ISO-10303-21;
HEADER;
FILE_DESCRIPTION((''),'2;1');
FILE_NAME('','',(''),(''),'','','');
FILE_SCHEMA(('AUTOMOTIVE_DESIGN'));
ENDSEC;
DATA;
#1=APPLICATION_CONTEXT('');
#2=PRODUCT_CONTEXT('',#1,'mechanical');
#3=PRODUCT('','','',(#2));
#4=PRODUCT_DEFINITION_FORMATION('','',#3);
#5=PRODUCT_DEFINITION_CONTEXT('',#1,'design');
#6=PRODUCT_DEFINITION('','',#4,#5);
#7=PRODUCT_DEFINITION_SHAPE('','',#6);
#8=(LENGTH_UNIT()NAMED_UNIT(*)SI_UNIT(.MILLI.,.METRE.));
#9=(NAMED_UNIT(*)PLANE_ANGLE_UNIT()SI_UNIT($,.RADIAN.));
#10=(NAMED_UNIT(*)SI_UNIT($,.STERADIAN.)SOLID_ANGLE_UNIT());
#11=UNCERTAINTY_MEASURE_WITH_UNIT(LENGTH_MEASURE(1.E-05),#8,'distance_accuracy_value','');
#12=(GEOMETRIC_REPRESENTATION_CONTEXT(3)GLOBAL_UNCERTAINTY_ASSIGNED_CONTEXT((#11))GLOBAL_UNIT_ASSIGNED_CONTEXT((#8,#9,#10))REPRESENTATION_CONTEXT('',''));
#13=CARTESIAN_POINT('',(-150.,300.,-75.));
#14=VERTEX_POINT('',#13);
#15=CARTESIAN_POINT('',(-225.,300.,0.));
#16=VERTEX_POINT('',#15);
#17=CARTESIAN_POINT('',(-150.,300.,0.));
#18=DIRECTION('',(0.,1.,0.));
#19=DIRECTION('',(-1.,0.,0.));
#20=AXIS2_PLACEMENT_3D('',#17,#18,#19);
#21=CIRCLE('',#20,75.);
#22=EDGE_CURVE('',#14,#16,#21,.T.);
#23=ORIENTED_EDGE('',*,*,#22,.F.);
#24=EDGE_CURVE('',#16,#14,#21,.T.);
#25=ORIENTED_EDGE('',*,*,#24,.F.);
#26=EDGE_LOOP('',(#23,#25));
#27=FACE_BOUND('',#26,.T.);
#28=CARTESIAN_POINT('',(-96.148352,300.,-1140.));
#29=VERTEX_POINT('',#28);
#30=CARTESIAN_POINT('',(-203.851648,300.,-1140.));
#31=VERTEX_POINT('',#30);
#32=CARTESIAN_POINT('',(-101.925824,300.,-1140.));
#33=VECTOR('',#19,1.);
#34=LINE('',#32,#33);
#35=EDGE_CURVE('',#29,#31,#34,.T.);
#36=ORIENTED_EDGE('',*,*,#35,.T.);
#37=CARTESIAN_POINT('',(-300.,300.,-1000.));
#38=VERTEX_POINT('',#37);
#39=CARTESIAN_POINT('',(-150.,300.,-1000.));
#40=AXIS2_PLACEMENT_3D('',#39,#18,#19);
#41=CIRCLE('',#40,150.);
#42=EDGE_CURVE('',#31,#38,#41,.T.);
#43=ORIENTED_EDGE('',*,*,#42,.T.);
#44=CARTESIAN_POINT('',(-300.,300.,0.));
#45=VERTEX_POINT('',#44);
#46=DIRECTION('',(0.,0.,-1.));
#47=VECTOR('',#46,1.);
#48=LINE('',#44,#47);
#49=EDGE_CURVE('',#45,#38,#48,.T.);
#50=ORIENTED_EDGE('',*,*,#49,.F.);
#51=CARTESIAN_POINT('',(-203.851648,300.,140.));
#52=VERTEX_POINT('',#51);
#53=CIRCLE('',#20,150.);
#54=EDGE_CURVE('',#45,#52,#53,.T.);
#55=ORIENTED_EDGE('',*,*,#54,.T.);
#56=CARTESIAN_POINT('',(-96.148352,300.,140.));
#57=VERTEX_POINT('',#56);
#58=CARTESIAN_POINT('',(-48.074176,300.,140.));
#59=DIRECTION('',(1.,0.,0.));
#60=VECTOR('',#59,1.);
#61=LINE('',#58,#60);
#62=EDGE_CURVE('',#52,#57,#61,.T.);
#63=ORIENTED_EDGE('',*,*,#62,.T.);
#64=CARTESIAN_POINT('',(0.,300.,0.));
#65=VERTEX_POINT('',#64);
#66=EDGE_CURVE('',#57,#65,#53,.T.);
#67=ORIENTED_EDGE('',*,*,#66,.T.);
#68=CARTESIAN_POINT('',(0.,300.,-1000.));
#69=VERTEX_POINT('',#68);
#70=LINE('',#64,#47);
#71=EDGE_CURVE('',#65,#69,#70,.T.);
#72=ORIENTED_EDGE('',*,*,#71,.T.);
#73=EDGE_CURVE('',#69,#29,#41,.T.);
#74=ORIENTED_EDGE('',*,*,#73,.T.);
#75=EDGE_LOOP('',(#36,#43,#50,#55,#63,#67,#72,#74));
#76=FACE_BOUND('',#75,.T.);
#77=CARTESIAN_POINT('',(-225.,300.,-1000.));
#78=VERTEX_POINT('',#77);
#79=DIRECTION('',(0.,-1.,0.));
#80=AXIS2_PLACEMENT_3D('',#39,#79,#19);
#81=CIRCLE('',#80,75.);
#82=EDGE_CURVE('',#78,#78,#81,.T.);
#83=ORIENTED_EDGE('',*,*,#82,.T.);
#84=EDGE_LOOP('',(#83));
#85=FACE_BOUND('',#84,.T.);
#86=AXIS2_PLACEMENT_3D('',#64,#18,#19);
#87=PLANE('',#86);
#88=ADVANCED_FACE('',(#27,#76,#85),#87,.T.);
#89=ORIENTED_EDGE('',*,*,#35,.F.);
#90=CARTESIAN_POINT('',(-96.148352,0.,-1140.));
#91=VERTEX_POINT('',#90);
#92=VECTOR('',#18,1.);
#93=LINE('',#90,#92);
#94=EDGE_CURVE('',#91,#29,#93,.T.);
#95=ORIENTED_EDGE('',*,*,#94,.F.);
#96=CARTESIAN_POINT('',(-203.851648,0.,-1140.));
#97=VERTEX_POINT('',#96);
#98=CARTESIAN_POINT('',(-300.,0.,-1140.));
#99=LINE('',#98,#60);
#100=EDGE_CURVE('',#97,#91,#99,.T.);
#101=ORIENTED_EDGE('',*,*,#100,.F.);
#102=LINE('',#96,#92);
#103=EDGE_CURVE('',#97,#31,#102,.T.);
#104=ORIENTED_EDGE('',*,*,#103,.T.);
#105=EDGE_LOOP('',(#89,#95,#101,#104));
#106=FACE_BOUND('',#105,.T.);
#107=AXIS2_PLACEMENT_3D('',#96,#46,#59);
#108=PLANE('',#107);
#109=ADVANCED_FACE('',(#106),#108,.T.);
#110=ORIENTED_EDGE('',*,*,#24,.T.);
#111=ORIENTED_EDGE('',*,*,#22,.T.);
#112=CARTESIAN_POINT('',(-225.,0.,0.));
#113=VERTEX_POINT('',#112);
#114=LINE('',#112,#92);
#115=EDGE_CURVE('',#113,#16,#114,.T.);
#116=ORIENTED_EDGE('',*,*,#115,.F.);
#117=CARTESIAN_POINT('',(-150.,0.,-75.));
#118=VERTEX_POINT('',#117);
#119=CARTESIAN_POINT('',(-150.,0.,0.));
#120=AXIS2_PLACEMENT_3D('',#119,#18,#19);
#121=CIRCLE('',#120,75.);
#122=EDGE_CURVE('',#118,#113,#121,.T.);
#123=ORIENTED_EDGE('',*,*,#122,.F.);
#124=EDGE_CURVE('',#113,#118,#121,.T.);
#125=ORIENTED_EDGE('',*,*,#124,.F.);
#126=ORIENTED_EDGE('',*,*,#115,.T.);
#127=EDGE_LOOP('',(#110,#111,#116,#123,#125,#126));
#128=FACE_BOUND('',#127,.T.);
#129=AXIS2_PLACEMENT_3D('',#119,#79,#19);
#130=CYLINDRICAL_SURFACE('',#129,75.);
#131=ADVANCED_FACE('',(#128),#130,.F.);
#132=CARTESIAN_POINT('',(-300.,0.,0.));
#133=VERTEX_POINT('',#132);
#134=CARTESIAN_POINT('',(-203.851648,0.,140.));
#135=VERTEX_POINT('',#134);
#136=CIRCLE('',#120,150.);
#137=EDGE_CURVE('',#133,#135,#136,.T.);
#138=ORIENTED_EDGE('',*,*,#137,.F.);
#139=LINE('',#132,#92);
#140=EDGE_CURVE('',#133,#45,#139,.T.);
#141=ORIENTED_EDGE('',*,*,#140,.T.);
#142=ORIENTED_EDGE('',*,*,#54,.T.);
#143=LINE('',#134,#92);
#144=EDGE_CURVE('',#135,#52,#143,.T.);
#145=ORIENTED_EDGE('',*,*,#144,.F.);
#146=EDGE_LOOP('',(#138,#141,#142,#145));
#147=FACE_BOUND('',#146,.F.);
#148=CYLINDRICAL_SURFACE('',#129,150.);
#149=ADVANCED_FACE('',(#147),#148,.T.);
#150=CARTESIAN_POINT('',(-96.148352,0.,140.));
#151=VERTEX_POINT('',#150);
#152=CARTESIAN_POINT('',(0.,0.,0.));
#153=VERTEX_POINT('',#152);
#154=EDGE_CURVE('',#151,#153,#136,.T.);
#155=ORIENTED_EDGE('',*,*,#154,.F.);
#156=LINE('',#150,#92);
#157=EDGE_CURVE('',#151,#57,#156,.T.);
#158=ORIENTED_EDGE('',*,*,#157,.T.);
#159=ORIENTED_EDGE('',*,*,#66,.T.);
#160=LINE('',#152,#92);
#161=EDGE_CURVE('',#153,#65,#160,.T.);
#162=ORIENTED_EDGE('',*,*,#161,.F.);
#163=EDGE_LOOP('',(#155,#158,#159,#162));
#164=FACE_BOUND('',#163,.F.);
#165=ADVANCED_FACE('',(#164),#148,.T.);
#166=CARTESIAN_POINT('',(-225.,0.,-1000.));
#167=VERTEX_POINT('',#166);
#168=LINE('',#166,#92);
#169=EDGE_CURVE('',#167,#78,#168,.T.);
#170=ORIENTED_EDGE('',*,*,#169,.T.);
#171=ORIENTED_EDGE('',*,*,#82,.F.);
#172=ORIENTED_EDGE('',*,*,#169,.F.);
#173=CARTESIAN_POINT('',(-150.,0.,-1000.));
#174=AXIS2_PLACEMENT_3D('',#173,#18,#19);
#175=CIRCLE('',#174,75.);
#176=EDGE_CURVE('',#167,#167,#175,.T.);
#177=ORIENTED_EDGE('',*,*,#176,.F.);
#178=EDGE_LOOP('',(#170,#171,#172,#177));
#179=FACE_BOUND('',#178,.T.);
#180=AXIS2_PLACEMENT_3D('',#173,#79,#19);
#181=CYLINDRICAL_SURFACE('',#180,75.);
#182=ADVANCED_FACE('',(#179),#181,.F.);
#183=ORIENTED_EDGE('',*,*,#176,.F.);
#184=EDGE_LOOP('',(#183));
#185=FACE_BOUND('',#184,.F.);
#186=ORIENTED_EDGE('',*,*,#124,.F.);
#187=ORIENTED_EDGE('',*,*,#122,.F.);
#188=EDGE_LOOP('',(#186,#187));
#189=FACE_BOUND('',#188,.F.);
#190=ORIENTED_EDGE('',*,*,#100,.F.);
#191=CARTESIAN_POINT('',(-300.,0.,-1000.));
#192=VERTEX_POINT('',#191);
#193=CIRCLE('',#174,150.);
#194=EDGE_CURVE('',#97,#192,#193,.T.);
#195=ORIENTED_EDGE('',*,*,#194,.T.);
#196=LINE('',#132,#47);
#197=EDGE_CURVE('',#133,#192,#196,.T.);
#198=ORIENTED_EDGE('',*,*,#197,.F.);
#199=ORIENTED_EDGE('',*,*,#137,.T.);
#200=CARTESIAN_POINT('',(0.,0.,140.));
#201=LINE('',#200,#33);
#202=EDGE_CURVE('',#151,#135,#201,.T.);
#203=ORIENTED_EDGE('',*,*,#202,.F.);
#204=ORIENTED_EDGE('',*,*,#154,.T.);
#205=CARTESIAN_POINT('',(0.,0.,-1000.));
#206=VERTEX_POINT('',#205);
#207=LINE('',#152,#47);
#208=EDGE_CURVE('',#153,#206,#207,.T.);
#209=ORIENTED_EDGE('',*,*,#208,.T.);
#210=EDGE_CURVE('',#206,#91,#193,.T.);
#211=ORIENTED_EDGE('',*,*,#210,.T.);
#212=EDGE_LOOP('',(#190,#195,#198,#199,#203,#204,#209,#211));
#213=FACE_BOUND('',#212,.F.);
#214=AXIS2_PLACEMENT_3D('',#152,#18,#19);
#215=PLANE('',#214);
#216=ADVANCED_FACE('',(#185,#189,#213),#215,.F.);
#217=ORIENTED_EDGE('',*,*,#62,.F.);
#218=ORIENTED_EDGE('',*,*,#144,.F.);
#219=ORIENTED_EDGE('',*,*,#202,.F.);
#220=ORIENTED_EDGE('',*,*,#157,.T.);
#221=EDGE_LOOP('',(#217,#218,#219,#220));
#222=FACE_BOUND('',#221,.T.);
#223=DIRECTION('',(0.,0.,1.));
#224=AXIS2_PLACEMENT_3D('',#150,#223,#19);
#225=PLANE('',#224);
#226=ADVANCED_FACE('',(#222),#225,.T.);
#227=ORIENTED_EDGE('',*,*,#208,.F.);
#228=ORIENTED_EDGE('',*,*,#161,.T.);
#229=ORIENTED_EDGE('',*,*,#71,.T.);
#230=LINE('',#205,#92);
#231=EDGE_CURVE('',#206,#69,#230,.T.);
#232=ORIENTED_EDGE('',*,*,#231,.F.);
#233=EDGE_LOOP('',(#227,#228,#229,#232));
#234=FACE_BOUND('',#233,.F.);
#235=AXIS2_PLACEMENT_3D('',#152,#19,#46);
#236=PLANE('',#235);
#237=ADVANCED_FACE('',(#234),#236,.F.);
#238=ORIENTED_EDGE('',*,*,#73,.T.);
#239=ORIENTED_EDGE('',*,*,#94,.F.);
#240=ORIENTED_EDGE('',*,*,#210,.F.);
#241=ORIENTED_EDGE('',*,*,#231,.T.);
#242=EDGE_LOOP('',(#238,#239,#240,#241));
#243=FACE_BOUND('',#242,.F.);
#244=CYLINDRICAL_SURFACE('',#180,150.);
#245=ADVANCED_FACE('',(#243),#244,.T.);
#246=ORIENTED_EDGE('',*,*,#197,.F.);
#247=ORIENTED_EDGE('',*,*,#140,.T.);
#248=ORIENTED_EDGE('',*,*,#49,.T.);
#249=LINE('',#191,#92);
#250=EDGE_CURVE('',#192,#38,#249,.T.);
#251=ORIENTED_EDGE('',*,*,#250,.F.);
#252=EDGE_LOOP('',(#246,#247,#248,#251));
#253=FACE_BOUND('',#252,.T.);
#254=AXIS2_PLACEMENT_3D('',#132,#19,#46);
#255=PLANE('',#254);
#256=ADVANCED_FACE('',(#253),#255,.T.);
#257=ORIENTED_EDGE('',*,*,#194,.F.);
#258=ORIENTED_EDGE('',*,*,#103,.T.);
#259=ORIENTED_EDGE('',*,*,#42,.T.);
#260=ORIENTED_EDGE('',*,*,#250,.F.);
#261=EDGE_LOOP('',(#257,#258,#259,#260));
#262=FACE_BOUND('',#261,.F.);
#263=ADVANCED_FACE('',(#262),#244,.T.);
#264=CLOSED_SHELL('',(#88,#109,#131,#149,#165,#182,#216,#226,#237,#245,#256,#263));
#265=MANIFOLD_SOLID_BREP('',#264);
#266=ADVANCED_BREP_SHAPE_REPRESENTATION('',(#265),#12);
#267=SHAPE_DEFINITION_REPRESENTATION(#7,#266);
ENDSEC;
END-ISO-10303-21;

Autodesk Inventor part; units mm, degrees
ref_plane "YZ Plane" through (0, 0, 0) normal (1, 0, 0) x (0, 1, 0)
ref_plane "XZ Plane" through (0, 0, 0) normal (0, 1, 0) x (-1, 0, 0)
ref_plane "XY Plane" through (0, 0, 0) normal (0, 0, 1) x (1, 0, 0)
sketch "Sketch1" plane through (0, 0, 0) normal (0, 1, 0) x (-1, 0, 0)
  line L0 (0, 0) -> (0, -1000)
  line L1 (0, -1000) -> (150, -1000)
  line L2 (150, -1000) -> (150, 0)
  circle A0 centre (150, 0) radius 150
  circle A1 centre (150, -1000) radius 150
  line L3 (300, 0) -> (300, -1000)
  circle A2 centre (150, 0) radius 75
  circle A3 centre (150, -1000) radius 75
  dimension "d0" = 1000
  dimension "d1" = 150
  dimension "d2" = 1000
  dimension "d3" = 150
  dimension "d4" = 150
extrude "Extrusion1" add sketch "Sketch1" along normal blind 300 contours A0 L2 A1 L0 | A0 | A1 L2 A3 L1 | L1 A3 L2 A1 | L3 A1 L2 A0
sketch "Sketch2" plane through (0, 0, 0) normal (0, -1, 0) x (1, 0, 0)
  line L0 (0, 0) -> (-300, 0)
  line L1 (0, 140) -> (-300, 140)
  circle A0 centre (-150, 0) radius 150
  circle A1 centre (-150, -1000) radius 75 projected
  circle A2 centre (-150, -1000) radius 150
  arc A3 (-300, -1000) -> (0, -1000) centre (-150, -1000) ccw projected
  line L2 (-300, -1000) -> (0, -1000)
  line L3 (-300, -1140) -> (0, -1140)
  point P0 (-96.1484, -1140)
  point P1 (-203.8516, -1140)
  point P2 (-203.8516, 140)
  point P3 (-96.1484, 140)
  dimension "d7" = 140
  dimension "d8" = 140
extrude "Extrusion2" cut sketch "Sketch2" against normal through all contours L1 A0 | A2 L3
equation "\"BendRadius\" = Thickness"
equation "\"BendReliefWidth\" = Thickness"
equation "\"BendReliefDepth\" = 0.5 * Thickness"
equation "\"CornerReliefSize\" = 4 * Thickness"
equation "\"MinimumRemnant\" = 2 * Thickness"
equation "\"TransitionRadius\" = BendRadius"
equation "\"JacobiRadiusSize\" = BendRadius"
equation "\"GapSize\" = Thickness"
equation "\"Thickness\" = 0.5"
properties part number "Middle v2" material "Steel"
